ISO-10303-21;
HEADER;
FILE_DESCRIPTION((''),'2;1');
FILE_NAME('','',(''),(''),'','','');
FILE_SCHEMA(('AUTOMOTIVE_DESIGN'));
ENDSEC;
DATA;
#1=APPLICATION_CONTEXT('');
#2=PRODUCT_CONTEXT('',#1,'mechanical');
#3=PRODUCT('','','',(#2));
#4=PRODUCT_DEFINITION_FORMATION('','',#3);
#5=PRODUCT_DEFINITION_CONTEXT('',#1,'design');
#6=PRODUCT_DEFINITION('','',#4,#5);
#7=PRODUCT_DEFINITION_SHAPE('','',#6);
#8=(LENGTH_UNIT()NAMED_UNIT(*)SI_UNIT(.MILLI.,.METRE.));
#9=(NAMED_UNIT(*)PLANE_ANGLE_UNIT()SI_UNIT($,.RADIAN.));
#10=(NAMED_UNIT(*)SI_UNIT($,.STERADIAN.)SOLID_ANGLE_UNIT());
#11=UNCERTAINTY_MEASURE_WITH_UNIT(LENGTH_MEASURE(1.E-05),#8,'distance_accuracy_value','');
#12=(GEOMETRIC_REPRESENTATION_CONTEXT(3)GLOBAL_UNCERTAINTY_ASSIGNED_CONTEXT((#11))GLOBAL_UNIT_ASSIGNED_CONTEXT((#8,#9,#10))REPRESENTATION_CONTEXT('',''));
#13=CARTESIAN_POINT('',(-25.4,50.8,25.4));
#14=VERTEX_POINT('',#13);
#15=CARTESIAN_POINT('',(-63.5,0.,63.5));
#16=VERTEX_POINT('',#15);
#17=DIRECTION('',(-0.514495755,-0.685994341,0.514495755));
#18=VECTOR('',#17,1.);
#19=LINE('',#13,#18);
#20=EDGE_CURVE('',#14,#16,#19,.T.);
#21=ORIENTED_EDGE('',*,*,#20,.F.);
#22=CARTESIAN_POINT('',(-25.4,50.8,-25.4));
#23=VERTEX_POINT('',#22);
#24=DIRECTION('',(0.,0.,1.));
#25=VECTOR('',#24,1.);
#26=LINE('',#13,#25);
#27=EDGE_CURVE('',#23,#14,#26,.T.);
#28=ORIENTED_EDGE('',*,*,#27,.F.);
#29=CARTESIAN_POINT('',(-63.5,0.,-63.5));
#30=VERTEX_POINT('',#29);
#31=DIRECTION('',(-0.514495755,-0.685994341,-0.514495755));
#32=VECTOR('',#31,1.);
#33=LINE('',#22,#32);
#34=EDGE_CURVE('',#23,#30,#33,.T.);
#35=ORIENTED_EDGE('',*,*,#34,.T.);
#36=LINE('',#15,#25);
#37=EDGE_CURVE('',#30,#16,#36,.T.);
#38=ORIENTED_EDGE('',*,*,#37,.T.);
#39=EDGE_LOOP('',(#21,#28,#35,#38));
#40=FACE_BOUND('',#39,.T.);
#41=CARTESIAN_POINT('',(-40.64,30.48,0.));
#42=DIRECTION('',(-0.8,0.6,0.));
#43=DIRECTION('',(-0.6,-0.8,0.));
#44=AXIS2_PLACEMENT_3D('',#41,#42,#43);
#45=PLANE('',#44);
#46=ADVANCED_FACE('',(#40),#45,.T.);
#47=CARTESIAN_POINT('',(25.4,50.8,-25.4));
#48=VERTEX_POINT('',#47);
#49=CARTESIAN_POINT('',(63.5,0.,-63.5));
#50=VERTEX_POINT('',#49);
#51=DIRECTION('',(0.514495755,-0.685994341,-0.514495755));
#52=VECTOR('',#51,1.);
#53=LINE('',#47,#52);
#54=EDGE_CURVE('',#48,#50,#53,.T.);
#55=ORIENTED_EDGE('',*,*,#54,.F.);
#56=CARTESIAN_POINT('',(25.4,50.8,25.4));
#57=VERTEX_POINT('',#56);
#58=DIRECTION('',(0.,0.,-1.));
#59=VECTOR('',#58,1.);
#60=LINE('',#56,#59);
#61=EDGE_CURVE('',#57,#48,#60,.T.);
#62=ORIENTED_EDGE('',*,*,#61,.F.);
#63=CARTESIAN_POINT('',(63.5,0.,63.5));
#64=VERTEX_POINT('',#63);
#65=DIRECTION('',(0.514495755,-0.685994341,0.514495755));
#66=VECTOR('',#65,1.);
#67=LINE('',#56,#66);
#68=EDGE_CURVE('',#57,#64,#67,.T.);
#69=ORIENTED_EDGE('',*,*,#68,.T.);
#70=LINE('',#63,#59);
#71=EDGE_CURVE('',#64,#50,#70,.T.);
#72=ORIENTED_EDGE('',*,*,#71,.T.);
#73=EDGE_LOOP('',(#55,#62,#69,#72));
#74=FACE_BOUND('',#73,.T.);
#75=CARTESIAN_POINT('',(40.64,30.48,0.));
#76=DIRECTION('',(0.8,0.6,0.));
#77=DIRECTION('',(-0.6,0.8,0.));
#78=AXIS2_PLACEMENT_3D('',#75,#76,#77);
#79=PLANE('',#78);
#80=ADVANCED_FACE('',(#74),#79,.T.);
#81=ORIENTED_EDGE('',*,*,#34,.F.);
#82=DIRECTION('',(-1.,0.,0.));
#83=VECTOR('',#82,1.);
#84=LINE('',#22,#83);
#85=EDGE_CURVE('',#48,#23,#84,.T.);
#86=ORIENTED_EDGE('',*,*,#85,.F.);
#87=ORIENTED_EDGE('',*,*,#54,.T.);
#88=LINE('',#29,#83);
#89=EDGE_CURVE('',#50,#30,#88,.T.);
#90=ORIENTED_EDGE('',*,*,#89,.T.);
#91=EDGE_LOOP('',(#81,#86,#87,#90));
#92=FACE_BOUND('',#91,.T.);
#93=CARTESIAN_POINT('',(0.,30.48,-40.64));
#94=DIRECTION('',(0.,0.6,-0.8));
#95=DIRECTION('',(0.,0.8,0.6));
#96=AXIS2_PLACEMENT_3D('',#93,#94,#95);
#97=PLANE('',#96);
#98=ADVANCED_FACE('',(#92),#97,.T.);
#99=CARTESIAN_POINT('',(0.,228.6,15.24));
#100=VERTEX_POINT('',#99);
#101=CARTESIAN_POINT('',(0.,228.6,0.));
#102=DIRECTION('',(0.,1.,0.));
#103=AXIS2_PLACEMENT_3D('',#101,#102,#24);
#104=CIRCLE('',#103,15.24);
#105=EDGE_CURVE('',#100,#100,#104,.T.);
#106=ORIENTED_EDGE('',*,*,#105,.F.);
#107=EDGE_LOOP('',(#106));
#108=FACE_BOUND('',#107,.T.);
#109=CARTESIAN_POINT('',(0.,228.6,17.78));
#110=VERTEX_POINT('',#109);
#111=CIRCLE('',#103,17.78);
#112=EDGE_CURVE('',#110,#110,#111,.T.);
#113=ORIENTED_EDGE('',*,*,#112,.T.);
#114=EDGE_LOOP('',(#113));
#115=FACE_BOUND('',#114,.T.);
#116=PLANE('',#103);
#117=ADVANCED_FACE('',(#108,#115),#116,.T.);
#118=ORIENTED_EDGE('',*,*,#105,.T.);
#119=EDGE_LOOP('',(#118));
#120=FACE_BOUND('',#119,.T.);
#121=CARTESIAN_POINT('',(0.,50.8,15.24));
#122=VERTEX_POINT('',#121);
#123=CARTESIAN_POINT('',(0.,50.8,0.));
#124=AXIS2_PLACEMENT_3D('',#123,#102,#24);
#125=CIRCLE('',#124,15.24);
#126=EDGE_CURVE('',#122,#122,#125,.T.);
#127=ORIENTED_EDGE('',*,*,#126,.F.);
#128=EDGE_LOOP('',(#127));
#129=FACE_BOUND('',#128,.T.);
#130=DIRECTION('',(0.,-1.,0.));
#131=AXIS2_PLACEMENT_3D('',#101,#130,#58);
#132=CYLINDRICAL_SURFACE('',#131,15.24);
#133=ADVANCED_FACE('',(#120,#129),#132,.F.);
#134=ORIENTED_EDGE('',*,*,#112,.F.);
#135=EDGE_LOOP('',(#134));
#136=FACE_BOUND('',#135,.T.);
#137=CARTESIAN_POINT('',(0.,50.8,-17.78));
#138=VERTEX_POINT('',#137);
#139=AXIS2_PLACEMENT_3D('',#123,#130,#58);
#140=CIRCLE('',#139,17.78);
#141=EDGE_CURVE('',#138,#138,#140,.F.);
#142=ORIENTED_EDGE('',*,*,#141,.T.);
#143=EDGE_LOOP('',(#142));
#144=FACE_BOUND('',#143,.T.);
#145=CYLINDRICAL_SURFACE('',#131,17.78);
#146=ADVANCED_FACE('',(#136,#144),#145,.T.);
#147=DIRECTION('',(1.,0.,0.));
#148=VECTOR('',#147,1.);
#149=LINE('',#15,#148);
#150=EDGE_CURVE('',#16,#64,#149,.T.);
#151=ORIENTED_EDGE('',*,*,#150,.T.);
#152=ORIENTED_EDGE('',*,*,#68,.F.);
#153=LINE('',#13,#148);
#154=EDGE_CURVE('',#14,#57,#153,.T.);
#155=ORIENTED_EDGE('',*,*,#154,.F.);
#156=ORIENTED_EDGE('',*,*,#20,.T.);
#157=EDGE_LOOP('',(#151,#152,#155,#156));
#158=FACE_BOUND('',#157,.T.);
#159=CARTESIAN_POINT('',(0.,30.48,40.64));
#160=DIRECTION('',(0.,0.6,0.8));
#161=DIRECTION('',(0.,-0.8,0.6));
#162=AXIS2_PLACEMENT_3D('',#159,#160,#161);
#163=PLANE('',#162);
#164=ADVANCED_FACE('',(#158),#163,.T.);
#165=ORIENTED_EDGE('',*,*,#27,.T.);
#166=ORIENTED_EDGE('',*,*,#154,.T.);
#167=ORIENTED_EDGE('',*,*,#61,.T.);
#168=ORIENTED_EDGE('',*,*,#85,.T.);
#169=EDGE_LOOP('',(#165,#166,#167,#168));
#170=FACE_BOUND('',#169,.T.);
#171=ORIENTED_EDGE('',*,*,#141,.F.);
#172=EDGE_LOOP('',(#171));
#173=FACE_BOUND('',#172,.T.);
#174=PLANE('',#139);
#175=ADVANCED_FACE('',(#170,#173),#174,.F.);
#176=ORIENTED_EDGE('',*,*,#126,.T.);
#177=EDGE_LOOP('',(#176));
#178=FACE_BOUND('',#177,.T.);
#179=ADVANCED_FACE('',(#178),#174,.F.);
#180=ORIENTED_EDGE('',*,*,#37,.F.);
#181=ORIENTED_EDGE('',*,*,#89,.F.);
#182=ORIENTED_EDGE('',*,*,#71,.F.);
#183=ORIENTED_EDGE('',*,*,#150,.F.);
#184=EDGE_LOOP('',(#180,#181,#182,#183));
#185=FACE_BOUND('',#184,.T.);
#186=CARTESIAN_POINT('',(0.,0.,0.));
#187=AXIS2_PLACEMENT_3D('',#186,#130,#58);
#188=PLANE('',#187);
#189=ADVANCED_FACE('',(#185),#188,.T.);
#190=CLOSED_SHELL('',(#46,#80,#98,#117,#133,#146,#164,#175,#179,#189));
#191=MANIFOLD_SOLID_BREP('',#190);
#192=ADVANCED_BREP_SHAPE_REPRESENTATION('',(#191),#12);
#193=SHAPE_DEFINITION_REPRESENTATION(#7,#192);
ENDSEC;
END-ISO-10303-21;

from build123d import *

# Parameters (mm, degrees)
SKETCH3_R           = 17.78
SKETCH3_R_2         = 15.24
BOSS_EXTRUDE1_DEPTH = 177.8


with BuildPart() as part:
    # Sketch2 → Loft1 section 0
    with BuildSketch(Plane(origin=(0, 50.8, 0), x_dir=(1, 0, 0), z_dir=(0, 1, 0))):
        with BuildLine():
            Line((-25.4, -25.4), (25.4, -25.4))
            Line((25.4, -25.4), (25.4, 25.4))
            Line((25.4, 25.4), (-25.4, 25.4))
            Line((-25.4, 25.4), (-25.4, -25.4))
        make_face()
    # Sketch1 → Loft1 section 1
    with BuildSketch(Plane(origin=(0, 0, 0), x_dir=(1, 0, 0), z_dir=(0, 1, 0))):
        with BuildLine():
            Line((-63.5, -63.5), (63.5, -63.5))
            Line((63.5, -63.5), (63.5, 63.5))
            Line((63.5, 63.5), (-63.5, 63.5))
            Line((-63.5, 63.5), (-63.5, -63.5))
        make_face()
    loft()

    # Sketch3 → Boss-Extrude1 (add)
    with BuildSketch(Plane(origin=(0, 50.8, 0), x_dir=(1, 0, 0), z_dir=(0, 1, 0))):
        with Locations(Location((0, 0, 0), (0, 0, 90))):
            Circle(SKETCH3_R)
        with Locations(Location((0, 0, 0), (0, 0, 270))):
            Circle(SKETCH3_R_2, mode=Mode.SUBTRACT)
    extrude(amount=BOSS_EXTRUDE1_DEPTH)


solid = part.part
